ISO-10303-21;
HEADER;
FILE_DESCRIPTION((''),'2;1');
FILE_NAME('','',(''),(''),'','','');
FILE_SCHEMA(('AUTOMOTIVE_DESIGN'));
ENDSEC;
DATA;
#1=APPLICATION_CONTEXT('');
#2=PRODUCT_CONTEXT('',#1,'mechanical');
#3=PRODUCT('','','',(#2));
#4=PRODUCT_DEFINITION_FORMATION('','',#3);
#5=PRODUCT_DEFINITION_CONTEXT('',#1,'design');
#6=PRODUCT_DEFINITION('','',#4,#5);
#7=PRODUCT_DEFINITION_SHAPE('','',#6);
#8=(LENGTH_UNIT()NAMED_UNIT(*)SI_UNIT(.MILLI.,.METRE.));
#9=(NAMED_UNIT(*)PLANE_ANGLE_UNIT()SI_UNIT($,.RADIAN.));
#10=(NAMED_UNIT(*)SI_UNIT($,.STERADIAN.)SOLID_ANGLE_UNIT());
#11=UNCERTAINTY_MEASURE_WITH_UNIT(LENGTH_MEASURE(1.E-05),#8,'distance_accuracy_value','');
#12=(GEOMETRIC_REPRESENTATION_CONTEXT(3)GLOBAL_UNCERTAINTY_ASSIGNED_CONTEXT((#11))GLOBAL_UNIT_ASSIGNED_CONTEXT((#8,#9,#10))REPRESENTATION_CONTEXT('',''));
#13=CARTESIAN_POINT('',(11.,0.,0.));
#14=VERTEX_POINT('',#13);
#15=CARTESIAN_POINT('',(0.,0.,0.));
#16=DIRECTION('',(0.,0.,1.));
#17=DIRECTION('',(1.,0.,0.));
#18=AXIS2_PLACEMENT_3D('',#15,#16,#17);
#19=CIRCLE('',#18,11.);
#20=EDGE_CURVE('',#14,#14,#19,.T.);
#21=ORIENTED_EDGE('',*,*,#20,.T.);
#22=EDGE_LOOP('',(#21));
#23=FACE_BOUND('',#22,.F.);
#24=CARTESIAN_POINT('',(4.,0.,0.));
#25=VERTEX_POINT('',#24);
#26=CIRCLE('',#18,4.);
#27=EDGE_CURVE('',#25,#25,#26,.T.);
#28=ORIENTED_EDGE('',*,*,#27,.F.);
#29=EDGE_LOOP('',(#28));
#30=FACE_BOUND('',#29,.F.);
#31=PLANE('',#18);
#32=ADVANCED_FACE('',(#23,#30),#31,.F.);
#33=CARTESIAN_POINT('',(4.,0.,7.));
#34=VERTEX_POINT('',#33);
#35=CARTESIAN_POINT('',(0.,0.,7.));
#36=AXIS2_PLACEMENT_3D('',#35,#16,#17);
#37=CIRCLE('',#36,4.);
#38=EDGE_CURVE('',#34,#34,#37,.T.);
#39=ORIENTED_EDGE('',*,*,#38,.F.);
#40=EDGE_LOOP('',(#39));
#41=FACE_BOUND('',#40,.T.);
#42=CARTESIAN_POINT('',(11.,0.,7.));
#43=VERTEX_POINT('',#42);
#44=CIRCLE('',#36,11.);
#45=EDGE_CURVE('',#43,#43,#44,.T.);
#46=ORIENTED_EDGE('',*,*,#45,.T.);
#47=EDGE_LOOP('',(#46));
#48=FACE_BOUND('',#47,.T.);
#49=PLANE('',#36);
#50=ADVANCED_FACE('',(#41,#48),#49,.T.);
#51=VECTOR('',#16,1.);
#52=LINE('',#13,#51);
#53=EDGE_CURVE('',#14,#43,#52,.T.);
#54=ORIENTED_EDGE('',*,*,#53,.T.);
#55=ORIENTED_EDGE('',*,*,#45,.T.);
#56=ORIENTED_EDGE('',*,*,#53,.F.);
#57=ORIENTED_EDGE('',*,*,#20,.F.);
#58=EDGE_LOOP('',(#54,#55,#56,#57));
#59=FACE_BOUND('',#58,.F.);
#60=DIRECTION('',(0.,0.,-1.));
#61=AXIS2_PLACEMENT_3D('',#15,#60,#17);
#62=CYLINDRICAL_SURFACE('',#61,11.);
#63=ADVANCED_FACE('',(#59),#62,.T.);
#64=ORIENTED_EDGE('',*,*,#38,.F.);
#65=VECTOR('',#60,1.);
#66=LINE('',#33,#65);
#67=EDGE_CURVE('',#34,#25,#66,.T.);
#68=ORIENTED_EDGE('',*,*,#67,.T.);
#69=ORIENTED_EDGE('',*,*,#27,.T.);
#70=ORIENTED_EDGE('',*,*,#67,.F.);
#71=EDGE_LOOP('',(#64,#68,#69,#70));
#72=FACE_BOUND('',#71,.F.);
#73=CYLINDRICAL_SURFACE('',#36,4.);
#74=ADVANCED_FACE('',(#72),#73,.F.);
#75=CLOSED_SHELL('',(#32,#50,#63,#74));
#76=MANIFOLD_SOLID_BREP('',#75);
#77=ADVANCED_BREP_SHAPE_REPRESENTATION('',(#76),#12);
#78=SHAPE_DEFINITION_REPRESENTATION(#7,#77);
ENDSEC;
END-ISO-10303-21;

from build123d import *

# Parameters (mm, degrees)
CYLINDER_R     = 11
CYLINDER_DEPTH = 7
SKETCH_R       = 4
POCKET_DEPTH   = 7.001


with BuildPart() as part:
    # Cylinder → Cylinder (new body)
    with BuildSketch(Plane.XY):
        Circle(CYLINDER_R)
    extrude(amount=CYLINDER_DEPTH)

    # Sketch → Pocket (cut, through all)
    with BuildSketch(Plane.XY.offset(7)):
        Circle(SKETCH_R)
    extrude(amount=-POCKET_DEPTH, mode=Mode.SUBTRACT)


solid = part.part
